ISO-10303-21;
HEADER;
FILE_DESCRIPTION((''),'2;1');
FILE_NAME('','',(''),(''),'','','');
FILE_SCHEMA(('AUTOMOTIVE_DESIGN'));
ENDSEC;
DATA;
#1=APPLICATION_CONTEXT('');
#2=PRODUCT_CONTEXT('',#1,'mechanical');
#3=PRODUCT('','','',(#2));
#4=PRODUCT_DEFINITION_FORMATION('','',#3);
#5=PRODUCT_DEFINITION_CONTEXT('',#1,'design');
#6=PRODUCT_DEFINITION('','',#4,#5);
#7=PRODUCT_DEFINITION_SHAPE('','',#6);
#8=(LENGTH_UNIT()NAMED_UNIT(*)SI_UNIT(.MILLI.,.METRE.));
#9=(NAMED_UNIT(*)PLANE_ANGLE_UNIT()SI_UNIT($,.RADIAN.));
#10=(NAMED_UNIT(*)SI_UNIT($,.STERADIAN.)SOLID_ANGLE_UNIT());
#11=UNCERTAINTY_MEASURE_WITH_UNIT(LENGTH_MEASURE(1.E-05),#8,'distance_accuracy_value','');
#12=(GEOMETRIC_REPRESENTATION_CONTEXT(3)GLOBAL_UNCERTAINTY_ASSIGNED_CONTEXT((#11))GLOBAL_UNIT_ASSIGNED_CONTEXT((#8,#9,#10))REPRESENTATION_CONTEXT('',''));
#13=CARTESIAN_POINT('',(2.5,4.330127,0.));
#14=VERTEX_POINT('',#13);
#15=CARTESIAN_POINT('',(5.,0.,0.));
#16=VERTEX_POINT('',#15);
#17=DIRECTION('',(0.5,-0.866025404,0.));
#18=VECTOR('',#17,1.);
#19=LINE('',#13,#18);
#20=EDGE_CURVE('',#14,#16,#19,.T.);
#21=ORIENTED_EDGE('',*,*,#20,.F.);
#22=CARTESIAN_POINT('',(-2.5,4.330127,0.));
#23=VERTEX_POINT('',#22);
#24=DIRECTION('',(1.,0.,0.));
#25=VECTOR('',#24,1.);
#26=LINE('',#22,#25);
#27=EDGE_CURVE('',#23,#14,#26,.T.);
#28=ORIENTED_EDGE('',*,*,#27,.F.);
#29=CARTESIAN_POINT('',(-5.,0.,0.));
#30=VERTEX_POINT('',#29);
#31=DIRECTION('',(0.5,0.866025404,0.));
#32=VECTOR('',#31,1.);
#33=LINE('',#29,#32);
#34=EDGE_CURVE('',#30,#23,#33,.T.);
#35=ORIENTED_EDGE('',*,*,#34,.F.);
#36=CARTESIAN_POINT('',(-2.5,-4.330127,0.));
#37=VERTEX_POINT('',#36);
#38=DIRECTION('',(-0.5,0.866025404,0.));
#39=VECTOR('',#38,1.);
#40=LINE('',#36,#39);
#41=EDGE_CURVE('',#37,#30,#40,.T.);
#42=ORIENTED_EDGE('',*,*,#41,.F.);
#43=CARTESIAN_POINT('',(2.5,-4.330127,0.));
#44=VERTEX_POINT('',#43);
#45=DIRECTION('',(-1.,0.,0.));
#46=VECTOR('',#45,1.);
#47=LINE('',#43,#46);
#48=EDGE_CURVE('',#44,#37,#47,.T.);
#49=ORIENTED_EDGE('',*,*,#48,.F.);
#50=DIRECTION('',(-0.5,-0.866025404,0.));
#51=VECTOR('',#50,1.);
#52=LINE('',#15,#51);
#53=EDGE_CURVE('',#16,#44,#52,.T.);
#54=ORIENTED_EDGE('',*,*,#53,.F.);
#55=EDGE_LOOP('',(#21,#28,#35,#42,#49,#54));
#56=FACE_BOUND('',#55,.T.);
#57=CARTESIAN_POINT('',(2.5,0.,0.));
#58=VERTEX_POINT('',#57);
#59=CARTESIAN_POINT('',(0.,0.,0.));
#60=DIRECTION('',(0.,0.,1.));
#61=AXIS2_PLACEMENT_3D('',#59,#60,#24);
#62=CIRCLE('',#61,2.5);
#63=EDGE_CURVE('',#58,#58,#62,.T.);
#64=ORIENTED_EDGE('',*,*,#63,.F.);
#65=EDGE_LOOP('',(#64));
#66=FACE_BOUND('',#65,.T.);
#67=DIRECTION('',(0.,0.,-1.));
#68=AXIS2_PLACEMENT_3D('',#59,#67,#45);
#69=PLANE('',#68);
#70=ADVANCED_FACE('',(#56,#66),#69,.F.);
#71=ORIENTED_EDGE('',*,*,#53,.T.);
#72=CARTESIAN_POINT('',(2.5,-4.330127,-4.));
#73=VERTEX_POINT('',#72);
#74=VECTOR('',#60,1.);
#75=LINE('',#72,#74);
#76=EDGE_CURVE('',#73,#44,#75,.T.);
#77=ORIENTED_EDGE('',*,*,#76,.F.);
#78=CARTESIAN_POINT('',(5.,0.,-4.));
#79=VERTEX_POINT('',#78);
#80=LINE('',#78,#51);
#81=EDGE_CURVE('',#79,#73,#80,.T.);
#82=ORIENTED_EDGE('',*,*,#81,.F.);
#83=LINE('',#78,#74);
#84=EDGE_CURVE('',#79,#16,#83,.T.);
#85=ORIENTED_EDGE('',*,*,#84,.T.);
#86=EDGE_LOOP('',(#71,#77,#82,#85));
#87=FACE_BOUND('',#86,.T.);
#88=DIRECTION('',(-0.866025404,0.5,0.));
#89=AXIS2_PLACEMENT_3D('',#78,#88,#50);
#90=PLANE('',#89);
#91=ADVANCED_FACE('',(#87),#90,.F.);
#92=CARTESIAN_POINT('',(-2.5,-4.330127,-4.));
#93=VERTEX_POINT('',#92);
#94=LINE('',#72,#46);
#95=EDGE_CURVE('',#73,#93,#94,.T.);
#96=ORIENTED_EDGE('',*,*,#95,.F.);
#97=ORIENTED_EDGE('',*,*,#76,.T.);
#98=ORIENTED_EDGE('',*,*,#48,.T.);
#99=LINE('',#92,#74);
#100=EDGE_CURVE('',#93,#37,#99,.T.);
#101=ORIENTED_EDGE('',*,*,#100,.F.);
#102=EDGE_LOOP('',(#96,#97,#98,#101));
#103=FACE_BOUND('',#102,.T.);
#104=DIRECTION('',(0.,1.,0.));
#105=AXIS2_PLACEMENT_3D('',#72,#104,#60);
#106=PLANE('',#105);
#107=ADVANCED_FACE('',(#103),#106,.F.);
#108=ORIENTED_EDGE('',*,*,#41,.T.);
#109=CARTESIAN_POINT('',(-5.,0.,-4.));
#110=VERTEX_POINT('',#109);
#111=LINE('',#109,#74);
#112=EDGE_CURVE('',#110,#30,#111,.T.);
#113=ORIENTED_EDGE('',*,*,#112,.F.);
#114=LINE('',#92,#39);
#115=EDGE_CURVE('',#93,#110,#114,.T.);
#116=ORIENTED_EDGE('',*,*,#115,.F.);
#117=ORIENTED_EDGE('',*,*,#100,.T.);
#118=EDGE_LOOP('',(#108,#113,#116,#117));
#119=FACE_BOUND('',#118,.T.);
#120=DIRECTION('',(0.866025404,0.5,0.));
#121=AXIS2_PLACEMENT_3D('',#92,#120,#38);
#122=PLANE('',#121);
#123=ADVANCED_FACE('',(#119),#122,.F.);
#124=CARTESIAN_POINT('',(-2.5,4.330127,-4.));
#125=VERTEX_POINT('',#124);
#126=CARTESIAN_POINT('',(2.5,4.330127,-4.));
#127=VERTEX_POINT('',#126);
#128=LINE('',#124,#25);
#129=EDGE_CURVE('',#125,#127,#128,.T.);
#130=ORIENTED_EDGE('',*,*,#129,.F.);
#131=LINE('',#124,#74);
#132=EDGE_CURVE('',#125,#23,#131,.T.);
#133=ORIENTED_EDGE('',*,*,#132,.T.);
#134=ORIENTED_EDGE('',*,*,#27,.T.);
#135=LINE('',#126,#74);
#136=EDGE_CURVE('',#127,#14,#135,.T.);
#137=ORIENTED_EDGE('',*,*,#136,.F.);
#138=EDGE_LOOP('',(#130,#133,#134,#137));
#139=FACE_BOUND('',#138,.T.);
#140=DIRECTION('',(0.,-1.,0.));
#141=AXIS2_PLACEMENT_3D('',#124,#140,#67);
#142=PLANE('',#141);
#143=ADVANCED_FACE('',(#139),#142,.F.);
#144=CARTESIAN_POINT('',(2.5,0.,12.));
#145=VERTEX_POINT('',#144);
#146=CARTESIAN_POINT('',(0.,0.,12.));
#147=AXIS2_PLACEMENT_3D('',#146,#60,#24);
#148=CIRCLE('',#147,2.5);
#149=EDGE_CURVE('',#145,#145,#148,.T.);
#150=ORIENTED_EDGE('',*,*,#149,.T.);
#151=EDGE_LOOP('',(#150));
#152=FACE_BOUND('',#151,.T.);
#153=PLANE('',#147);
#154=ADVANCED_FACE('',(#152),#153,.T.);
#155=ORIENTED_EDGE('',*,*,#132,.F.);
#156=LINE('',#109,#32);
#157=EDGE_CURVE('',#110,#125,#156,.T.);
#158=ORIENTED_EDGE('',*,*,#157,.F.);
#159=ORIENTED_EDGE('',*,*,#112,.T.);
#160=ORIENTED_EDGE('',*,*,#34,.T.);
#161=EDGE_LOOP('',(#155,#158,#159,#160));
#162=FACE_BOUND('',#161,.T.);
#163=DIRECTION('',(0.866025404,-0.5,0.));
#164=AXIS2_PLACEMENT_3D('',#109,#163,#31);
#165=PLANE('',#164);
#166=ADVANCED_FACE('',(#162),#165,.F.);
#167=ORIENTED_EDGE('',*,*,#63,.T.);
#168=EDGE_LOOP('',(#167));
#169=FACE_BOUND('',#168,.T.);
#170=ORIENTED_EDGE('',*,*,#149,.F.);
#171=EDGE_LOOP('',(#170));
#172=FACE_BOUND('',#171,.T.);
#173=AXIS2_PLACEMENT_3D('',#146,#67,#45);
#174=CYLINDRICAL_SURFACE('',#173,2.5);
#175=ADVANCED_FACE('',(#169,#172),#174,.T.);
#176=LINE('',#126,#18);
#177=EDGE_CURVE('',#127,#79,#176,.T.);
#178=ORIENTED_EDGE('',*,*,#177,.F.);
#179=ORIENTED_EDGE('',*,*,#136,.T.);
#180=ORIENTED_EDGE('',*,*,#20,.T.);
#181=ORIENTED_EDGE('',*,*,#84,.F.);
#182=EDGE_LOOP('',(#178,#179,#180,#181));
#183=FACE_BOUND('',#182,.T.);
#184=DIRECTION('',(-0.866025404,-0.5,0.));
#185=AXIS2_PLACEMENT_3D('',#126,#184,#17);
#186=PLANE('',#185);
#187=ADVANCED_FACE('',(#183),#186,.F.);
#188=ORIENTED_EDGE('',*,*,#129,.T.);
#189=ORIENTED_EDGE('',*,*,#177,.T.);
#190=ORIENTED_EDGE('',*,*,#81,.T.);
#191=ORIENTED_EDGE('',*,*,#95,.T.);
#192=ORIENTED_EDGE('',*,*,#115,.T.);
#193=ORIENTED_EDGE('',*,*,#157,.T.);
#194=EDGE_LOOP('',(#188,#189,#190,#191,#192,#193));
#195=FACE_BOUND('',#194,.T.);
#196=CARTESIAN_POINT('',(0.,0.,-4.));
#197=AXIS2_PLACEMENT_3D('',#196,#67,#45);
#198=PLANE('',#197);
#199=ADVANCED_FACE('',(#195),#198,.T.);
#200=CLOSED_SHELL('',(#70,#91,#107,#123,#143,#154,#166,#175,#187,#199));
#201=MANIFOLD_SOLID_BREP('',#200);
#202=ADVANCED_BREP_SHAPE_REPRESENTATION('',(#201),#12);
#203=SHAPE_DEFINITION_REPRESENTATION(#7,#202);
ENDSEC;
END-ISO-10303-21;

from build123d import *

# Parameters (mm, degrees)
CROQUIS2_R              = 2.5
SALIENTE_EXTRUIR1_DEPTH = 12
SALIENTE_EXTRUIR3_DEPTH = 4


with BuildPart() as part:
    # Croquis2 → Saliente-Extruir1 (new body)
    with BuildSketch(Plane.XY):
        Circle(CROQUIS2_R)
    extrude(amount=SALIENTE_EXTRUIR1_DEPTH)

    # Croquis3 → Saliente-Extruir3 (add)
    with BuildSketch(Plane(origin=(0, 0, 0), x_dir=(-1, 0, 0), z_dir=(0, 0, -1))):
        Polygon((5, 0), (2.5, 4.330127019), (-2.5, 4.330127019), (-5, 0), (-2.5, -4.330127019), (2.5, -4.330127019), align=None)
    extrude(amount=SALIENTE_EXTRUIR3_DEPTH)


solid = part.part
